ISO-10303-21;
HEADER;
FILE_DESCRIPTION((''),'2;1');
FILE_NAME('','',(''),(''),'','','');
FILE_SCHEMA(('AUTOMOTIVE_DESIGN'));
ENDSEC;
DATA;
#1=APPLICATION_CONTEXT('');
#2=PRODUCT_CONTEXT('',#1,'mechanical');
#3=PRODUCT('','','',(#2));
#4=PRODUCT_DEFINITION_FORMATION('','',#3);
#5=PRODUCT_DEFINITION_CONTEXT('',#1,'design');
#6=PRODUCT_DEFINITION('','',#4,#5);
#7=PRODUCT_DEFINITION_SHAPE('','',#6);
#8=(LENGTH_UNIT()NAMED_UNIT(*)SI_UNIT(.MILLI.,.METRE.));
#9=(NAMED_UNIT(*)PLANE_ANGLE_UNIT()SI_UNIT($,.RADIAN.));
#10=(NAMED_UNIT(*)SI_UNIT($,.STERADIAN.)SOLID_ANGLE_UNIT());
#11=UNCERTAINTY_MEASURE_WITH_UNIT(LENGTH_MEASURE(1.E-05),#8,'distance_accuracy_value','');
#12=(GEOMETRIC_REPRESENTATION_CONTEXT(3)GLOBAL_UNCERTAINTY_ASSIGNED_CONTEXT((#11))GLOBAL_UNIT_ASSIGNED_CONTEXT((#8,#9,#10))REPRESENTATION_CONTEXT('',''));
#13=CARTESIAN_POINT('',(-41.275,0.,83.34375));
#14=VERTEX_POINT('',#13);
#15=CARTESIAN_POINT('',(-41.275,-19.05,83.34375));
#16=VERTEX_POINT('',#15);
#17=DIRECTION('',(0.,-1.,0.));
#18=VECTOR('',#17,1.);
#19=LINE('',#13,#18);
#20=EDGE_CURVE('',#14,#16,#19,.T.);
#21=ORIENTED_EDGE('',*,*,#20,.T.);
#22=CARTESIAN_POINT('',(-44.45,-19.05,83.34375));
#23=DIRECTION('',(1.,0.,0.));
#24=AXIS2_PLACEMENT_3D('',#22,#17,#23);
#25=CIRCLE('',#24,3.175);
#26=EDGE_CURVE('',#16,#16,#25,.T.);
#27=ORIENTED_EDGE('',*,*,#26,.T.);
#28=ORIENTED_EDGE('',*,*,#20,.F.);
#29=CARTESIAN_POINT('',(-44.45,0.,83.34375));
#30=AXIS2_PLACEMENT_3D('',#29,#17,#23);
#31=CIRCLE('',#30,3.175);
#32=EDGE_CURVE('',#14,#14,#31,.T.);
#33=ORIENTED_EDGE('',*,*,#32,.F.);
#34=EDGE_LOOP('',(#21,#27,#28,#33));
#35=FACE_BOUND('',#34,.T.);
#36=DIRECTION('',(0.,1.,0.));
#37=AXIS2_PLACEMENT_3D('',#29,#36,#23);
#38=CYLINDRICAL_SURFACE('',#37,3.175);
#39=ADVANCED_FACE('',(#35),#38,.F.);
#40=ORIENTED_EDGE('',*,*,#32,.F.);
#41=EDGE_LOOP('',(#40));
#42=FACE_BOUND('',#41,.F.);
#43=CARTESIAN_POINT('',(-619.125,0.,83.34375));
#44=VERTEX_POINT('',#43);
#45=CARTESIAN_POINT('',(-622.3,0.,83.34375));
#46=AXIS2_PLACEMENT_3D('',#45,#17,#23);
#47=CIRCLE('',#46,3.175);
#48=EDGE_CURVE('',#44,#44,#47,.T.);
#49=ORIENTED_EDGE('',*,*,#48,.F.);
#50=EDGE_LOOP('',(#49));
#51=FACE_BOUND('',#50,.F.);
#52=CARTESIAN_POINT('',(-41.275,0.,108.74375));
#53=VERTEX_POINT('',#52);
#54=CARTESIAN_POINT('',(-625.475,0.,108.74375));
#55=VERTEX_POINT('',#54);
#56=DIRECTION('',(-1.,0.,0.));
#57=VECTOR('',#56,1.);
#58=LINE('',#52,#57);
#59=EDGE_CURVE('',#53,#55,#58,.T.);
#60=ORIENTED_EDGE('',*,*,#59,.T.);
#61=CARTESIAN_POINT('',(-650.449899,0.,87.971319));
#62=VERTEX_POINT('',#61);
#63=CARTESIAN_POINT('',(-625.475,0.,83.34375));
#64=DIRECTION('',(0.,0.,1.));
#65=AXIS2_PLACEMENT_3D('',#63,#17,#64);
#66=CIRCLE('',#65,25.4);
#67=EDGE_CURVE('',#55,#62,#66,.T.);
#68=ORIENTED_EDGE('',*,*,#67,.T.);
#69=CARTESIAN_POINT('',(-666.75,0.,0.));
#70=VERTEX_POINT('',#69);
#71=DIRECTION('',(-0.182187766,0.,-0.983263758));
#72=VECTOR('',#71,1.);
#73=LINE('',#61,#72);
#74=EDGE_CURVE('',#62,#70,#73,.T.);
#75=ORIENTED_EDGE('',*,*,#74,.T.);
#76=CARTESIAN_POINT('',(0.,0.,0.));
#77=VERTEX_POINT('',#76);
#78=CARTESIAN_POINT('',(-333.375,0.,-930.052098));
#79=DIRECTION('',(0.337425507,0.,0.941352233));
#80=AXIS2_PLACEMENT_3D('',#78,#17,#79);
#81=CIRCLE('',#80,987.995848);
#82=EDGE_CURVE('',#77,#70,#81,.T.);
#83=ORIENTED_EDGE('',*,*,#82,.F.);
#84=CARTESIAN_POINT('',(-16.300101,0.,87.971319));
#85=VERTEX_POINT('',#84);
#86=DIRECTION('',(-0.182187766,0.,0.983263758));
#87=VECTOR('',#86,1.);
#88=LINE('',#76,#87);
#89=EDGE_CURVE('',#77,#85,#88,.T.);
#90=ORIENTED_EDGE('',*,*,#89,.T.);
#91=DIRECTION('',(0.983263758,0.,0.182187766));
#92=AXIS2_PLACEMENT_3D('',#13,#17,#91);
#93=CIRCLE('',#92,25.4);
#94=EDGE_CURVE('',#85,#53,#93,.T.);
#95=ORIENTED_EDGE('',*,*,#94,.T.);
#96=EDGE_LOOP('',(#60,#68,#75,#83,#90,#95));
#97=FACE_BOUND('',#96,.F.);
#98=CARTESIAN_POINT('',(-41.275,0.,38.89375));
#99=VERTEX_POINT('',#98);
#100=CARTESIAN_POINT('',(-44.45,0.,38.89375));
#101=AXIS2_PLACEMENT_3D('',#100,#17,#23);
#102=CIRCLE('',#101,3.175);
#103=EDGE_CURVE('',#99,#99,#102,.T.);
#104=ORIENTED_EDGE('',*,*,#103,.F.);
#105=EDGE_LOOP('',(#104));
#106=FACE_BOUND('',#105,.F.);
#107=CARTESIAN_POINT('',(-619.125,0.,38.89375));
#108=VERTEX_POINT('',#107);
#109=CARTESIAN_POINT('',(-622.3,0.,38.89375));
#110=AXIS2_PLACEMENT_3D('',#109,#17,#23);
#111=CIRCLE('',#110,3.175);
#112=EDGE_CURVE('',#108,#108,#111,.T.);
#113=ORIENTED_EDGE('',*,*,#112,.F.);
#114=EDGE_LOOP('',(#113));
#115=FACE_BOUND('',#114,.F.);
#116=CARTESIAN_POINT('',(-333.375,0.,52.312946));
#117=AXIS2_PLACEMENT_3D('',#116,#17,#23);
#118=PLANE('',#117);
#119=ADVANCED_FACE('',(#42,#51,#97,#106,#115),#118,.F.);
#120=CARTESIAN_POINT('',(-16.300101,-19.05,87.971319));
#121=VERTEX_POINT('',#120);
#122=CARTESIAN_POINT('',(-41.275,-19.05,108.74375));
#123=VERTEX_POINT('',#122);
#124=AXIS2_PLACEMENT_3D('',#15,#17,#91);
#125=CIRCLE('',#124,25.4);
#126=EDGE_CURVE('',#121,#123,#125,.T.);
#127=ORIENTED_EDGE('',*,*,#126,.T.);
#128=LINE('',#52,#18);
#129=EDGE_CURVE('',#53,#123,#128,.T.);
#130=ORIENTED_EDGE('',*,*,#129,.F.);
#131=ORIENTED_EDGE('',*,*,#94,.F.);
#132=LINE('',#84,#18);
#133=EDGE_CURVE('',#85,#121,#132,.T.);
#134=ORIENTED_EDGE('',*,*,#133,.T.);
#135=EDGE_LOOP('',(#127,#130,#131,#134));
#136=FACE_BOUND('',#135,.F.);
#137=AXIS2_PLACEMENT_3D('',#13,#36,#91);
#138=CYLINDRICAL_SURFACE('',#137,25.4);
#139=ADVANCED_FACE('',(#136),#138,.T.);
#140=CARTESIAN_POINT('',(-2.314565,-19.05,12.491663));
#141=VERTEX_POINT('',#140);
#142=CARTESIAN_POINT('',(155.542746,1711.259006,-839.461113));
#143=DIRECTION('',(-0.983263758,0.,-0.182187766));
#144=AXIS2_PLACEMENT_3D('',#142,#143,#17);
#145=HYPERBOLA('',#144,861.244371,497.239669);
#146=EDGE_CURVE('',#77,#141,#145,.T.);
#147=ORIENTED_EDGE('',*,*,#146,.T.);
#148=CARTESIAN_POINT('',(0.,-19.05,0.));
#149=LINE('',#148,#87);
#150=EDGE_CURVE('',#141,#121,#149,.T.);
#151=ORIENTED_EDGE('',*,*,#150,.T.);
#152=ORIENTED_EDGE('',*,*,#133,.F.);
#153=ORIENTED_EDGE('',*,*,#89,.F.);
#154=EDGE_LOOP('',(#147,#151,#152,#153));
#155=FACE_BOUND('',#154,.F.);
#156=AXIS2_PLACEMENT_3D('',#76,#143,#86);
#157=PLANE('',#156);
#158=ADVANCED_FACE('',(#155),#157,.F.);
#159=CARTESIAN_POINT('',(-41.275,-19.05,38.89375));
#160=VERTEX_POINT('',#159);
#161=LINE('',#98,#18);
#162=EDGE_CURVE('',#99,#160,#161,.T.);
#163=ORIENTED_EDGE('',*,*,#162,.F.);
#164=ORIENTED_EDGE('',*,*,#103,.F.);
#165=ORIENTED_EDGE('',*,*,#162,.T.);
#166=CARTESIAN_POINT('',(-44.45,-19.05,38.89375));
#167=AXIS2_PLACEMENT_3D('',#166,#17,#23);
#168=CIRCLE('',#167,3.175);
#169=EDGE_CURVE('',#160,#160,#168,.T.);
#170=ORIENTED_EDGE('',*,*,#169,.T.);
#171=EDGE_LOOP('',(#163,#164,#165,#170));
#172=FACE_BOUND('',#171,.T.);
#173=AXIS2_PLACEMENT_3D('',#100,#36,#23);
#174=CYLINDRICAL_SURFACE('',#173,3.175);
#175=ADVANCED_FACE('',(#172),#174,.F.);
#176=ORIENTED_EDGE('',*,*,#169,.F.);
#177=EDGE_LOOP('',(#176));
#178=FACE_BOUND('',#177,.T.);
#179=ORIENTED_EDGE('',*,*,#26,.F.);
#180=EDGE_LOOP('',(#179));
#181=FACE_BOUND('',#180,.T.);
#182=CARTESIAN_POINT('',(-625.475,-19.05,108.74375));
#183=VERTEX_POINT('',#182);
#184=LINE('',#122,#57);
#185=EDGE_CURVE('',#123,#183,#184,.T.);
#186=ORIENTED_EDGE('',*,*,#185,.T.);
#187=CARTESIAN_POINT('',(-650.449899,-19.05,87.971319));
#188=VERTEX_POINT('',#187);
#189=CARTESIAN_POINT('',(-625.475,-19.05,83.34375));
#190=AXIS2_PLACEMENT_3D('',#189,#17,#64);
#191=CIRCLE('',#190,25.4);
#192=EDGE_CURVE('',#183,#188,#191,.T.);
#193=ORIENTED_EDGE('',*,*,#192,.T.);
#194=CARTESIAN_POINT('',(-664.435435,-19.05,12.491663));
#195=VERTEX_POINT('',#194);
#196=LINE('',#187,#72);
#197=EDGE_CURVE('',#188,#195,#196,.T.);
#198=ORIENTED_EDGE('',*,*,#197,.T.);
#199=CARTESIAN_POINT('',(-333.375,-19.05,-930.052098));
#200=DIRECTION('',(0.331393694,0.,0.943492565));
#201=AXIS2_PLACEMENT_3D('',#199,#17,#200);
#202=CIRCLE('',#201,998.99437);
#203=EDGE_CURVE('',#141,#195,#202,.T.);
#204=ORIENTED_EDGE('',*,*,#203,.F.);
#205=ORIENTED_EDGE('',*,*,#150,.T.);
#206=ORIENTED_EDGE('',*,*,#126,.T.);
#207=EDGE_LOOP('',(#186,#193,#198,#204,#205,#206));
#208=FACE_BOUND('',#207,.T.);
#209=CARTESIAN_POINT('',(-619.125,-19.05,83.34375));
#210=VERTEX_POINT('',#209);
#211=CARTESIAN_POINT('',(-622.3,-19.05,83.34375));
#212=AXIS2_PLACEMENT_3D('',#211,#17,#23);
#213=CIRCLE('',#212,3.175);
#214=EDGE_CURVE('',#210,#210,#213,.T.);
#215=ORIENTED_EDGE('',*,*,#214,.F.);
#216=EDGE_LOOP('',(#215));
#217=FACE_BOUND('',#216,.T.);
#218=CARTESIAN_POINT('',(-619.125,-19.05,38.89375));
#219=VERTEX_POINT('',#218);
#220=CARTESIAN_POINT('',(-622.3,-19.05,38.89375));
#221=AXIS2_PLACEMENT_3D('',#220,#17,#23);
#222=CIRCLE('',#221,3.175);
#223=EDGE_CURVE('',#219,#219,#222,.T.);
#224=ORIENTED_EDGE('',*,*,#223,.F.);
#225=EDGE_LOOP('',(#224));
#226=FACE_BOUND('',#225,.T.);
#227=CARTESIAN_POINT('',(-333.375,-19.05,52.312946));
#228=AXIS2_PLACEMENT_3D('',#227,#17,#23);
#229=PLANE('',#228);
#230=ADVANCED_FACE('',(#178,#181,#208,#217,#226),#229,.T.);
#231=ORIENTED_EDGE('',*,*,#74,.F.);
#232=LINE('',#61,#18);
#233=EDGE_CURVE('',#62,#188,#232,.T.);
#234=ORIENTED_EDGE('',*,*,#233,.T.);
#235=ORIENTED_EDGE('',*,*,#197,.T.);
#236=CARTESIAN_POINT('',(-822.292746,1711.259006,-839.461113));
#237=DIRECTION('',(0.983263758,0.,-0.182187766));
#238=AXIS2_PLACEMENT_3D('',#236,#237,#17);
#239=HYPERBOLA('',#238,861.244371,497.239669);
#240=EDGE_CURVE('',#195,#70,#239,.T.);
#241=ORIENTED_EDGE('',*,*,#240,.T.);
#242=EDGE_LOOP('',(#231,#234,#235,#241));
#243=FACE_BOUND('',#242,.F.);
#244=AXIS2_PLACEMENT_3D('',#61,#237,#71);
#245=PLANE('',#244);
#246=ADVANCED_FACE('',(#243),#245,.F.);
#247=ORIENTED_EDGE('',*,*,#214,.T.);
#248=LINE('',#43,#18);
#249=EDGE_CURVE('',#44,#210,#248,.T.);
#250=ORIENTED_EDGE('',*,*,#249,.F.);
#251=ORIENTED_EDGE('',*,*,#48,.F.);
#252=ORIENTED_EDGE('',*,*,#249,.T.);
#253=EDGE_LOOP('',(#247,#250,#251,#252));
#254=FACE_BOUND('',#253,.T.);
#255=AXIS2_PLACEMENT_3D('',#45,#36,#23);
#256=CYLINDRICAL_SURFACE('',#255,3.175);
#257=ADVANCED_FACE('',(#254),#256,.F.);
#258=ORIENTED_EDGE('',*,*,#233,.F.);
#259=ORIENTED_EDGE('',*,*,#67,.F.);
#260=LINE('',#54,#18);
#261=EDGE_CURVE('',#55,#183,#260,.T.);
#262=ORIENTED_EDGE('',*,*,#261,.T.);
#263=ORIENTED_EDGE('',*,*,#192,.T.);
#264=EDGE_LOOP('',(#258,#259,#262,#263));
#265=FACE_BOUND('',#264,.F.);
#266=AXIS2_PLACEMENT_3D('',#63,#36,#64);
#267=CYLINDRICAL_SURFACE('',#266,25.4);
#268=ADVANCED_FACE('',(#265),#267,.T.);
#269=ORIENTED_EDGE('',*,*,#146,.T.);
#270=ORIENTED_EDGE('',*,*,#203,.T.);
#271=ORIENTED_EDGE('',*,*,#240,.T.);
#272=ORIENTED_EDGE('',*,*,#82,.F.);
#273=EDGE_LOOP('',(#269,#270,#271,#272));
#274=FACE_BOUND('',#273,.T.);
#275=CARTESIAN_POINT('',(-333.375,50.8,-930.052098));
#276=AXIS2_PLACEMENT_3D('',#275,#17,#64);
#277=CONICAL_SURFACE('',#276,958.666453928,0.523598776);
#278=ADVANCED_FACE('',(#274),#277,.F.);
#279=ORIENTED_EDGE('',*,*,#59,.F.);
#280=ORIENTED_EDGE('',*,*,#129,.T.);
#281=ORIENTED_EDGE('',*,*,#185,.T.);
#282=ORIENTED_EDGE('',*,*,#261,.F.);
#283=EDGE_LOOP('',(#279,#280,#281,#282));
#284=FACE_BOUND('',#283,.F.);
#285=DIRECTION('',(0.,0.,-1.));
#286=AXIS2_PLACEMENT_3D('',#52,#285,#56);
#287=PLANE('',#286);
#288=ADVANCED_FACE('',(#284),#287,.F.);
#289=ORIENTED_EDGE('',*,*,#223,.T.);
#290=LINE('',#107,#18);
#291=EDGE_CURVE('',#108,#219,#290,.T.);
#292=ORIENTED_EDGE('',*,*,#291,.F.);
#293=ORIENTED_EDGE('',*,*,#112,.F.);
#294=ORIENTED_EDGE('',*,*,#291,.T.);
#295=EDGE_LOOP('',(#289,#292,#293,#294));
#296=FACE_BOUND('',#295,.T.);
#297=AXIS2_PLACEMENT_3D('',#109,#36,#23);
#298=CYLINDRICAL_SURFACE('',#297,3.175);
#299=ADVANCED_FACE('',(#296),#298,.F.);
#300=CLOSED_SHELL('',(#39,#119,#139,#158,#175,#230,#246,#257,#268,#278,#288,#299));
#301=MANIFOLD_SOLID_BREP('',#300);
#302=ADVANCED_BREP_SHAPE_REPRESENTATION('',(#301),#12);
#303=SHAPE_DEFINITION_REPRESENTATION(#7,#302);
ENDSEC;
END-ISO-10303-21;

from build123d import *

# Parameters (mm, degrees)
F0_R     = 3.175
F1_DEPTH = 19.05


with BuildPart() as f1:
    # F0 (on Front) → F1 (new body)
    with BuildSketch(Plane.XZ):
        with BuildLine():
            Line((-666.75, 0), (0, 0))
            Line((0, 0), (-16.3001005448, 87.971319254))
            ThreePointArc((-16.3001005448, 87.971319254), (-25.0327750762, 102.8719380759), (-41.275, 108.74375))
            Line((-41.275, 108.74375), (-625.475, 108.74375))
            ThreePointArc((-625.475, 108.74375), (-641.7172249238, 102.8719380759), (-650.4498994552, 87.971319254))
            Line((-650.4498994552, 87.971319254), (-666.75, 0))
        make_face()
        with Locations((-622.3, 38.89375)):
            Circle(F0_R, mode=Mode.SUBTRACT)
        with Locations((-44.45, 38.89375)):
            Circle(F0_R, mode=Mode.SUBTRACT)
        with Locations((-622.3, 83.34375)):
            Circle(F0_R, mode=Mode.SUBTRACT)
        with Locations((-44.45, 83.34375)):
            Circle(F0_R, mode=Mode.SUBTRACT)
    extrude(amount=F1_DEPTH)

    # F3 (on plane+point) → F4 (revolve, cut)
    with BuildSketch(Plane.YZ.offset(-333.375)):
        Polygon((50.8, 28.6143563252), (-50.8, 87.2731436748), (-50.8, -930.0520976027), (50.8, -930.0520976027), align=None)
    revolve(axis=Axis((-333.375, 0, -930.0520976027), (0, 1, 0)), mode=Mode.SUBTRACT)


solid = f1.part
